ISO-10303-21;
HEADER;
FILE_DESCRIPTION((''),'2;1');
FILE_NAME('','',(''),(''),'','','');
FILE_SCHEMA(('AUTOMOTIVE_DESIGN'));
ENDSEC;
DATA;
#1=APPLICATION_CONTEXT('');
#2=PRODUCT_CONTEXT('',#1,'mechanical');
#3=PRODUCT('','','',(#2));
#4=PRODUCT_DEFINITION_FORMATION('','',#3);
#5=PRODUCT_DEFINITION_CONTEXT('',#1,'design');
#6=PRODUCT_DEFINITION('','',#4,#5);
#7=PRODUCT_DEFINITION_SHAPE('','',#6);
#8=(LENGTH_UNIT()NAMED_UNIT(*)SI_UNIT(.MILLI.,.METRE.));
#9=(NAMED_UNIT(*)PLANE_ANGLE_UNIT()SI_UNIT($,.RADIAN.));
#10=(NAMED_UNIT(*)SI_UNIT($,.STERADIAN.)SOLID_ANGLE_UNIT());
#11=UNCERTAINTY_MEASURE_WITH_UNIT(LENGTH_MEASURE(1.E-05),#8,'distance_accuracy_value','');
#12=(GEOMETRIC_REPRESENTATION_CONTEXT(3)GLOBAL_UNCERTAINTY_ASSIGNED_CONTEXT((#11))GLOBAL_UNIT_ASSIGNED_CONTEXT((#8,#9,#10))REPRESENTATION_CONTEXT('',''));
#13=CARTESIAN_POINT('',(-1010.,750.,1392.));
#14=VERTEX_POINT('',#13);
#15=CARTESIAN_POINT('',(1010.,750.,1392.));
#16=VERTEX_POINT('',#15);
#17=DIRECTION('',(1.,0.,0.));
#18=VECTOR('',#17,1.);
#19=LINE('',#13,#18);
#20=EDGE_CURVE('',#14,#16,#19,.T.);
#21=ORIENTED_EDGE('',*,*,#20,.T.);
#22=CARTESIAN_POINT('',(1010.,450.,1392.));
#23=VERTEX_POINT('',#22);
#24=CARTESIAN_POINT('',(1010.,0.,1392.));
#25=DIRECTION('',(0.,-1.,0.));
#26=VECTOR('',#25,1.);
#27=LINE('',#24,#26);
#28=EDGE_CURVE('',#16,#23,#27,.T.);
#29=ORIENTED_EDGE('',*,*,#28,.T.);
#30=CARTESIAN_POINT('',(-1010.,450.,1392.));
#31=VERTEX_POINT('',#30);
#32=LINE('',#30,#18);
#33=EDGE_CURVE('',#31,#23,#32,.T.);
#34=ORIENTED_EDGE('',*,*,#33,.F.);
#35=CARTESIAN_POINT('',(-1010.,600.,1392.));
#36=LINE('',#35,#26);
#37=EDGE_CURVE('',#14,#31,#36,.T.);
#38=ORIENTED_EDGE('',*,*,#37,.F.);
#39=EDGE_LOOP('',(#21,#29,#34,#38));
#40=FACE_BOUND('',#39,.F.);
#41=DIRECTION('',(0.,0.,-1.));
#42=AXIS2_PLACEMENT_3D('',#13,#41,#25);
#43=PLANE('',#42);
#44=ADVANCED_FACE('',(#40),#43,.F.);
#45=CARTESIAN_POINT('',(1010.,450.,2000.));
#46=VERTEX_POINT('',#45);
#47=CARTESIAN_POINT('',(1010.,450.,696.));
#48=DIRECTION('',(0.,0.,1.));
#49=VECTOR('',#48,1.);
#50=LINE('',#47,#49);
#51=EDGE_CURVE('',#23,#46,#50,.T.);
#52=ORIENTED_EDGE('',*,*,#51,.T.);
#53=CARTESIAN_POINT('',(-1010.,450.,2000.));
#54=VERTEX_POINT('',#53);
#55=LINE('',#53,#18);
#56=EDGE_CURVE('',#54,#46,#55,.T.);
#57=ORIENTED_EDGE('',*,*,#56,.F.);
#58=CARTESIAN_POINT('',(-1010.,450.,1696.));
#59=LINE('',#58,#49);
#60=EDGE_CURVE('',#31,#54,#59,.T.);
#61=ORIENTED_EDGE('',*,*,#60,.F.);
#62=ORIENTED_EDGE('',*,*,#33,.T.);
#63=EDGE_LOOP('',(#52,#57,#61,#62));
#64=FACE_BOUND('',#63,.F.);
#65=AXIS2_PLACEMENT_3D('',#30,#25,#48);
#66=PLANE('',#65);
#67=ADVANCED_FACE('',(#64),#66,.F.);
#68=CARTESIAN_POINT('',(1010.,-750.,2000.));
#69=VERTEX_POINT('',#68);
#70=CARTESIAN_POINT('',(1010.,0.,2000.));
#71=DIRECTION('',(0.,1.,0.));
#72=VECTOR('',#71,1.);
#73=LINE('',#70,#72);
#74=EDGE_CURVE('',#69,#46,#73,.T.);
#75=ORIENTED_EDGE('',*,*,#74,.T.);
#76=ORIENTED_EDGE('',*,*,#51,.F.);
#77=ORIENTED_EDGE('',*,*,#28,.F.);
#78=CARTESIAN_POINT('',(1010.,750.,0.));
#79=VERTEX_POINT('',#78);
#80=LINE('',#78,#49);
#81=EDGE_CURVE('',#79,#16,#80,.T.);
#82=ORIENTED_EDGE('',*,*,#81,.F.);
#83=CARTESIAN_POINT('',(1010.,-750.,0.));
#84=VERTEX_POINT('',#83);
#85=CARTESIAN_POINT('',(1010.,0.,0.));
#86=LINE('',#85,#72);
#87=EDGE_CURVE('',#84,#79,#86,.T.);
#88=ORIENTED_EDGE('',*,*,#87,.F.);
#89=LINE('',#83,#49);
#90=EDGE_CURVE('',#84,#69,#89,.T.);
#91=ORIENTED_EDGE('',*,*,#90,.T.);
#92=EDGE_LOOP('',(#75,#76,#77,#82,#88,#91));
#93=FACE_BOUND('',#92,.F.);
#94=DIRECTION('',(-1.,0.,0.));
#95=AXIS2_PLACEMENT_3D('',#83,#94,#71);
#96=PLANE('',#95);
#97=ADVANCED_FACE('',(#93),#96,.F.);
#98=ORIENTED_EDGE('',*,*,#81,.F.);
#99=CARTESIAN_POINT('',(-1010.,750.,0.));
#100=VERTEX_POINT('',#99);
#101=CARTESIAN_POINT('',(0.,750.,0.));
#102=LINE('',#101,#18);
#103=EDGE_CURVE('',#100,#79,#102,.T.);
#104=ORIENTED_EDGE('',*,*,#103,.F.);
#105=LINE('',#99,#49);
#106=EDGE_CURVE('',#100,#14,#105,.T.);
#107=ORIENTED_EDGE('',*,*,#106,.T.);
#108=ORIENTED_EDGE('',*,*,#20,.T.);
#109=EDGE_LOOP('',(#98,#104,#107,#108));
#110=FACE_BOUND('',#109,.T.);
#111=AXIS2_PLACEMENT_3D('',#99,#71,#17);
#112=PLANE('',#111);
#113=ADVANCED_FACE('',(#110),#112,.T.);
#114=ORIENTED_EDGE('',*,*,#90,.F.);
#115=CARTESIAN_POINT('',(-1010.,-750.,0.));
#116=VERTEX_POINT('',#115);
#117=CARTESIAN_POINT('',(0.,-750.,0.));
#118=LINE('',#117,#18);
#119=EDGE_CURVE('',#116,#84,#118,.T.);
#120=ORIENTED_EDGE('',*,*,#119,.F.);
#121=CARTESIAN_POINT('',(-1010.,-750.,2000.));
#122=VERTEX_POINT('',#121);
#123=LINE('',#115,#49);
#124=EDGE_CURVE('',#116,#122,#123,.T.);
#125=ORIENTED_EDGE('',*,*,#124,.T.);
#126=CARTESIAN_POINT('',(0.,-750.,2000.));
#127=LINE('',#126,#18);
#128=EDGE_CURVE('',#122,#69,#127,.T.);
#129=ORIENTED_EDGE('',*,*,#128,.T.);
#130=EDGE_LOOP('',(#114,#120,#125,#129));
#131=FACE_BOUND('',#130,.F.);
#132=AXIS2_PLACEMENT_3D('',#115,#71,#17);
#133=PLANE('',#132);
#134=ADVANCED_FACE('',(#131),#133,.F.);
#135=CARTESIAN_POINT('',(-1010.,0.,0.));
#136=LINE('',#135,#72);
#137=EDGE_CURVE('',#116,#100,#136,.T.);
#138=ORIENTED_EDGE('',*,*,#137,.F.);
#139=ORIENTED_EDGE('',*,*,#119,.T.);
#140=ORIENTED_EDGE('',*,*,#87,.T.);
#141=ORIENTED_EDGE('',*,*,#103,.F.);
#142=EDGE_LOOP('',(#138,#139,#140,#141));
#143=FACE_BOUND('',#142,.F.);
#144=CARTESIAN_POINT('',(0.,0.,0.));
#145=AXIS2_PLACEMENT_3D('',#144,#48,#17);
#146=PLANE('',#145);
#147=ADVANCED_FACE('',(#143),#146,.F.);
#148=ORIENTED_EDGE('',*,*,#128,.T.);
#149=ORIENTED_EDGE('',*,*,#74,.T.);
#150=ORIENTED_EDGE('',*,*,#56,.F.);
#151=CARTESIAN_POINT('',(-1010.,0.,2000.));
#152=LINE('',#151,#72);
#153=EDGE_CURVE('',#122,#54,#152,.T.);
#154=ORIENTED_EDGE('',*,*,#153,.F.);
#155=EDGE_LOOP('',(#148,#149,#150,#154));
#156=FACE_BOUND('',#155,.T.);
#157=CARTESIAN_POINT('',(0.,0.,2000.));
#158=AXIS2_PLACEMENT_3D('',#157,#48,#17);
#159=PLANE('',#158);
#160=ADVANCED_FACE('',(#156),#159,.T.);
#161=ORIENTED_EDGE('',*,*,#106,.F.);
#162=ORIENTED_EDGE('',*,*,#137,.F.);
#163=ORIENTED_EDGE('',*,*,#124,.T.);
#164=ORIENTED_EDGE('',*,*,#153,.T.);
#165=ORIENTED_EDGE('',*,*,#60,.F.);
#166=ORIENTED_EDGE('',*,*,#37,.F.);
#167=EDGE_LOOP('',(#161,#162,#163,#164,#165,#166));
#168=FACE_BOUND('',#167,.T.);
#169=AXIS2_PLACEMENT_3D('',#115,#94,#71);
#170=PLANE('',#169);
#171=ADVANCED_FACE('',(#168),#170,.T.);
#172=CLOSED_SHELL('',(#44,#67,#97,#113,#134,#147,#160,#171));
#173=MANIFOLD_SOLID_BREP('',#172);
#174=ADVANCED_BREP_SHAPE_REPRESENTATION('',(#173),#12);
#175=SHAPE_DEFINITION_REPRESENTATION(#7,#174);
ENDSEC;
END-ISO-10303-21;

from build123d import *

# Parameters (mm, degrees)
F0_W     = 2020
F0_H     = 1500
F1_DEPTH = 2000
F2_W     = 300
F2_H     = 608
F3_DEPTH = 2020.001


with BuildPart() as f1:
    # F0 (on Top) → F1 (new body)
    with BuildSketch(Plane.XY):
        Rectangle(F0_W, F0_H)
    extrude(amount=F1_DEPTH)

    # F2 (on face) → F3 (cut, through all)
    with BuildSketch(Plane(origin=(-1010, 0, 0), x_dir=(0, -1, 0), z_dir=(-1, 0, 0))):
        with Locations((-600, 1696)):
            Rectangle(F2_W, F2_H)
    extrude(amount=-F3_DEPTH, mode=Mode.SUBTRACT)


solid = f1.part
